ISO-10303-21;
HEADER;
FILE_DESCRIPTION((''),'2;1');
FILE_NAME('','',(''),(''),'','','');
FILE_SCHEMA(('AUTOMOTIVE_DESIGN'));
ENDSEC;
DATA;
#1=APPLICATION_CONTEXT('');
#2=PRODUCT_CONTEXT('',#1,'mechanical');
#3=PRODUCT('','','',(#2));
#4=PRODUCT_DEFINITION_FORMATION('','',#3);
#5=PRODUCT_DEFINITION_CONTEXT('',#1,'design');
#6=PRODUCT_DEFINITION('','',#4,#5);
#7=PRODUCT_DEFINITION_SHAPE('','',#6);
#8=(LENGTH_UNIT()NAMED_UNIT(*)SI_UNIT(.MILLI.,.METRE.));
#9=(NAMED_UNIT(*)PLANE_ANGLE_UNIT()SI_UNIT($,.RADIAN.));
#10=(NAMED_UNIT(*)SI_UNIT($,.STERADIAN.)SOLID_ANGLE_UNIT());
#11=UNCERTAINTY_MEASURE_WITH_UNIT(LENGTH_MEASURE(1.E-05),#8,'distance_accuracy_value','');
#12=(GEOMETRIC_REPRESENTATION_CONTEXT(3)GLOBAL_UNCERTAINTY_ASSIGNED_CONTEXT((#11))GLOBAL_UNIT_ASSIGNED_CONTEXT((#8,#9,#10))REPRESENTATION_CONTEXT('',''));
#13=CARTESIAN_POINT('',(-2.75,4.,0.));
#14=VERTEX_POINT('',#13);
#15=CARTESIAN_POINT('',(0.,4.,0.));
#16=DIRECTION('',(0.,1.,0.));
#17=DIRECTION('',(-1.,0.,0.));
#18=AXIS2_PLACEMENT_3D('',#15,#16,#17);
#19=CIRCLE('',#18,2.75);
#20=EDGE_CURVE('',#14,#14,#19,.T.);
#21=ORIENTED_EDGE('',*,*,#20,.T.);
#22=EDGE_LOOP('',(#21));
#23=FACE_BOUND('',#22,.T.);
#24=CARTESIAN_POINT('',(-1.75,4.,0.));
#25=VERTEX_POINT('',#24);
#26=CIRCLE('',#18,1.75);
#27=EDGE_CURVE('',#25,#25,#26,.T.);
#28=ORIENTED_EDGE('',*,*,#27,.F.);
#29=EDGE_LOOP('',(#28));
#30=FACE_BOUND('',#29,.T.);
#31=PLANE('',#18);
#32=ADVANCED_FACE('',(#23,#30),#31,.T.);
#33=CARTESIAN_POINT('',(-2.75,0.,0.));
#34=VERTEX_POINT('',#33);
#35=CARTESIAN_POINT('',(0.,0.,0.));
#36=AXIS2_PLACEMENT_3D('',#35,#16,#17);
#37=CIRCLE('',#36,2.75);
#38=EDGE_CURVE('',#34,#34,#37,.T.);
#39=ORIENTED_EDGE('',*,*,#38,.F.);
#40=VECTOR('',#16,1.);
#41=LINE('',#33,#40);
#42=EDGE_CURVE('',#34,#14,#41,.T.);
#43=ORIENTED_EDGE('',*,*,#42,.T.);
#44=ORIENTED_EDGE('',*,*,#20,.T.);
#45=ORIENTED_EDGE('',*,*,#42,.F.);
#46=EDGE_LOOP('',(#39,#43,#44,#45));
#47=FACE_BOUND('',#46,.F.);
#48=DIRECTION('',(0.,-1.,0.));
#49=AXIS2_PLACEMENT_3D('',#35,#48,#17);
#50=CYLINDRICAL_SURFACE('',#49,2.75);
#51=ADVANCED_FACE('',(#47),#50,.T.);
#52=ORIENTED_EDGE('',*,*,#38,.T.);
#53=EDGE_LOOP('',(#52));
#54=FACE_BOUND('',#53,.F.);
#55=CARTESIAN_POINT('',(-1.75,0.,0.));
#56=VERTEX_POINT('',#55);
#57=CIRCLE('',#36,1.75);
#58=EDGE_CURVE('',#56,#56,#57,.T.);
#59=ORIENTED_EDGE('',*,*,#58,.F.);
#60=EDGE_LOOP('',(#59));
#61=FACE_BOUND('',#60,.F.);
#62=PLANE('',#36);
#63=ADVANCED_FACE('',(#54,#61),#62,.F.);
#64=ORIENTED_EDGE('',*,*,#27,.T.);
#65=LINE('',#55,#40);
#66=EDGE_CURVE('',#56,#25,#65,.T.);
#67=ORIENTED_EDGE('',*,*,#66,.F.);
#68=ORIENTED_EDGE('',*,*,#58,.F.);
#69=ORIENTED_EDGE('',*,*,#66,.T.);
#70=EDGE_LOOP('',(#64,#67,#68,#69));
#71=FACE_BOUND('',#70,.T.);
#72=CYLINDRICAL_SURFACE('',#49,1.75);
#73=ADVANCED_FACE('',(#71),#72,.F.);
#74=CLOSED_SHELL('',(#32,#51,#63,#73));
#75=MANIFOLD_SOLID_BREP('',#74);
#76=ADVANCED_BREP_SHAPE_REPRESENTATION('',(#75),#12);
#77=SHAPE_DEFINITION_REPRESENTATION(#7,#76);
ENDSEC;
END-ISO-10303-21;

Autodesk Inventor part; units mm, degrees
ref_plane "YZ Plane" through (0, 0, 0) normal (1, 0, 0) x (0, 1, 0)
ref_plane "XZ Plane" through (0, 0, 0) normal (0, 1, 0) x (-1, 0, 0)
ref_plane "XY Plane" through (0, 0, 0) normal (0, 0, 1) x (1, 0, 0)
sketch "スケッチ1" plane through (0, 0, 0) normal (0, 1, 0) x (-1, 0, 0)
  circle A0 centre (0, 0) radius 1.75
  circle A1 centre (0, 0) radius 2.75
  dimension "d0" = 3.5
  dimension "d1" = 1
extrude "押し出し1" add sketch "スケッチ1" along normal blind 4
properties part number "spacer_Φ3.2_4_1"
